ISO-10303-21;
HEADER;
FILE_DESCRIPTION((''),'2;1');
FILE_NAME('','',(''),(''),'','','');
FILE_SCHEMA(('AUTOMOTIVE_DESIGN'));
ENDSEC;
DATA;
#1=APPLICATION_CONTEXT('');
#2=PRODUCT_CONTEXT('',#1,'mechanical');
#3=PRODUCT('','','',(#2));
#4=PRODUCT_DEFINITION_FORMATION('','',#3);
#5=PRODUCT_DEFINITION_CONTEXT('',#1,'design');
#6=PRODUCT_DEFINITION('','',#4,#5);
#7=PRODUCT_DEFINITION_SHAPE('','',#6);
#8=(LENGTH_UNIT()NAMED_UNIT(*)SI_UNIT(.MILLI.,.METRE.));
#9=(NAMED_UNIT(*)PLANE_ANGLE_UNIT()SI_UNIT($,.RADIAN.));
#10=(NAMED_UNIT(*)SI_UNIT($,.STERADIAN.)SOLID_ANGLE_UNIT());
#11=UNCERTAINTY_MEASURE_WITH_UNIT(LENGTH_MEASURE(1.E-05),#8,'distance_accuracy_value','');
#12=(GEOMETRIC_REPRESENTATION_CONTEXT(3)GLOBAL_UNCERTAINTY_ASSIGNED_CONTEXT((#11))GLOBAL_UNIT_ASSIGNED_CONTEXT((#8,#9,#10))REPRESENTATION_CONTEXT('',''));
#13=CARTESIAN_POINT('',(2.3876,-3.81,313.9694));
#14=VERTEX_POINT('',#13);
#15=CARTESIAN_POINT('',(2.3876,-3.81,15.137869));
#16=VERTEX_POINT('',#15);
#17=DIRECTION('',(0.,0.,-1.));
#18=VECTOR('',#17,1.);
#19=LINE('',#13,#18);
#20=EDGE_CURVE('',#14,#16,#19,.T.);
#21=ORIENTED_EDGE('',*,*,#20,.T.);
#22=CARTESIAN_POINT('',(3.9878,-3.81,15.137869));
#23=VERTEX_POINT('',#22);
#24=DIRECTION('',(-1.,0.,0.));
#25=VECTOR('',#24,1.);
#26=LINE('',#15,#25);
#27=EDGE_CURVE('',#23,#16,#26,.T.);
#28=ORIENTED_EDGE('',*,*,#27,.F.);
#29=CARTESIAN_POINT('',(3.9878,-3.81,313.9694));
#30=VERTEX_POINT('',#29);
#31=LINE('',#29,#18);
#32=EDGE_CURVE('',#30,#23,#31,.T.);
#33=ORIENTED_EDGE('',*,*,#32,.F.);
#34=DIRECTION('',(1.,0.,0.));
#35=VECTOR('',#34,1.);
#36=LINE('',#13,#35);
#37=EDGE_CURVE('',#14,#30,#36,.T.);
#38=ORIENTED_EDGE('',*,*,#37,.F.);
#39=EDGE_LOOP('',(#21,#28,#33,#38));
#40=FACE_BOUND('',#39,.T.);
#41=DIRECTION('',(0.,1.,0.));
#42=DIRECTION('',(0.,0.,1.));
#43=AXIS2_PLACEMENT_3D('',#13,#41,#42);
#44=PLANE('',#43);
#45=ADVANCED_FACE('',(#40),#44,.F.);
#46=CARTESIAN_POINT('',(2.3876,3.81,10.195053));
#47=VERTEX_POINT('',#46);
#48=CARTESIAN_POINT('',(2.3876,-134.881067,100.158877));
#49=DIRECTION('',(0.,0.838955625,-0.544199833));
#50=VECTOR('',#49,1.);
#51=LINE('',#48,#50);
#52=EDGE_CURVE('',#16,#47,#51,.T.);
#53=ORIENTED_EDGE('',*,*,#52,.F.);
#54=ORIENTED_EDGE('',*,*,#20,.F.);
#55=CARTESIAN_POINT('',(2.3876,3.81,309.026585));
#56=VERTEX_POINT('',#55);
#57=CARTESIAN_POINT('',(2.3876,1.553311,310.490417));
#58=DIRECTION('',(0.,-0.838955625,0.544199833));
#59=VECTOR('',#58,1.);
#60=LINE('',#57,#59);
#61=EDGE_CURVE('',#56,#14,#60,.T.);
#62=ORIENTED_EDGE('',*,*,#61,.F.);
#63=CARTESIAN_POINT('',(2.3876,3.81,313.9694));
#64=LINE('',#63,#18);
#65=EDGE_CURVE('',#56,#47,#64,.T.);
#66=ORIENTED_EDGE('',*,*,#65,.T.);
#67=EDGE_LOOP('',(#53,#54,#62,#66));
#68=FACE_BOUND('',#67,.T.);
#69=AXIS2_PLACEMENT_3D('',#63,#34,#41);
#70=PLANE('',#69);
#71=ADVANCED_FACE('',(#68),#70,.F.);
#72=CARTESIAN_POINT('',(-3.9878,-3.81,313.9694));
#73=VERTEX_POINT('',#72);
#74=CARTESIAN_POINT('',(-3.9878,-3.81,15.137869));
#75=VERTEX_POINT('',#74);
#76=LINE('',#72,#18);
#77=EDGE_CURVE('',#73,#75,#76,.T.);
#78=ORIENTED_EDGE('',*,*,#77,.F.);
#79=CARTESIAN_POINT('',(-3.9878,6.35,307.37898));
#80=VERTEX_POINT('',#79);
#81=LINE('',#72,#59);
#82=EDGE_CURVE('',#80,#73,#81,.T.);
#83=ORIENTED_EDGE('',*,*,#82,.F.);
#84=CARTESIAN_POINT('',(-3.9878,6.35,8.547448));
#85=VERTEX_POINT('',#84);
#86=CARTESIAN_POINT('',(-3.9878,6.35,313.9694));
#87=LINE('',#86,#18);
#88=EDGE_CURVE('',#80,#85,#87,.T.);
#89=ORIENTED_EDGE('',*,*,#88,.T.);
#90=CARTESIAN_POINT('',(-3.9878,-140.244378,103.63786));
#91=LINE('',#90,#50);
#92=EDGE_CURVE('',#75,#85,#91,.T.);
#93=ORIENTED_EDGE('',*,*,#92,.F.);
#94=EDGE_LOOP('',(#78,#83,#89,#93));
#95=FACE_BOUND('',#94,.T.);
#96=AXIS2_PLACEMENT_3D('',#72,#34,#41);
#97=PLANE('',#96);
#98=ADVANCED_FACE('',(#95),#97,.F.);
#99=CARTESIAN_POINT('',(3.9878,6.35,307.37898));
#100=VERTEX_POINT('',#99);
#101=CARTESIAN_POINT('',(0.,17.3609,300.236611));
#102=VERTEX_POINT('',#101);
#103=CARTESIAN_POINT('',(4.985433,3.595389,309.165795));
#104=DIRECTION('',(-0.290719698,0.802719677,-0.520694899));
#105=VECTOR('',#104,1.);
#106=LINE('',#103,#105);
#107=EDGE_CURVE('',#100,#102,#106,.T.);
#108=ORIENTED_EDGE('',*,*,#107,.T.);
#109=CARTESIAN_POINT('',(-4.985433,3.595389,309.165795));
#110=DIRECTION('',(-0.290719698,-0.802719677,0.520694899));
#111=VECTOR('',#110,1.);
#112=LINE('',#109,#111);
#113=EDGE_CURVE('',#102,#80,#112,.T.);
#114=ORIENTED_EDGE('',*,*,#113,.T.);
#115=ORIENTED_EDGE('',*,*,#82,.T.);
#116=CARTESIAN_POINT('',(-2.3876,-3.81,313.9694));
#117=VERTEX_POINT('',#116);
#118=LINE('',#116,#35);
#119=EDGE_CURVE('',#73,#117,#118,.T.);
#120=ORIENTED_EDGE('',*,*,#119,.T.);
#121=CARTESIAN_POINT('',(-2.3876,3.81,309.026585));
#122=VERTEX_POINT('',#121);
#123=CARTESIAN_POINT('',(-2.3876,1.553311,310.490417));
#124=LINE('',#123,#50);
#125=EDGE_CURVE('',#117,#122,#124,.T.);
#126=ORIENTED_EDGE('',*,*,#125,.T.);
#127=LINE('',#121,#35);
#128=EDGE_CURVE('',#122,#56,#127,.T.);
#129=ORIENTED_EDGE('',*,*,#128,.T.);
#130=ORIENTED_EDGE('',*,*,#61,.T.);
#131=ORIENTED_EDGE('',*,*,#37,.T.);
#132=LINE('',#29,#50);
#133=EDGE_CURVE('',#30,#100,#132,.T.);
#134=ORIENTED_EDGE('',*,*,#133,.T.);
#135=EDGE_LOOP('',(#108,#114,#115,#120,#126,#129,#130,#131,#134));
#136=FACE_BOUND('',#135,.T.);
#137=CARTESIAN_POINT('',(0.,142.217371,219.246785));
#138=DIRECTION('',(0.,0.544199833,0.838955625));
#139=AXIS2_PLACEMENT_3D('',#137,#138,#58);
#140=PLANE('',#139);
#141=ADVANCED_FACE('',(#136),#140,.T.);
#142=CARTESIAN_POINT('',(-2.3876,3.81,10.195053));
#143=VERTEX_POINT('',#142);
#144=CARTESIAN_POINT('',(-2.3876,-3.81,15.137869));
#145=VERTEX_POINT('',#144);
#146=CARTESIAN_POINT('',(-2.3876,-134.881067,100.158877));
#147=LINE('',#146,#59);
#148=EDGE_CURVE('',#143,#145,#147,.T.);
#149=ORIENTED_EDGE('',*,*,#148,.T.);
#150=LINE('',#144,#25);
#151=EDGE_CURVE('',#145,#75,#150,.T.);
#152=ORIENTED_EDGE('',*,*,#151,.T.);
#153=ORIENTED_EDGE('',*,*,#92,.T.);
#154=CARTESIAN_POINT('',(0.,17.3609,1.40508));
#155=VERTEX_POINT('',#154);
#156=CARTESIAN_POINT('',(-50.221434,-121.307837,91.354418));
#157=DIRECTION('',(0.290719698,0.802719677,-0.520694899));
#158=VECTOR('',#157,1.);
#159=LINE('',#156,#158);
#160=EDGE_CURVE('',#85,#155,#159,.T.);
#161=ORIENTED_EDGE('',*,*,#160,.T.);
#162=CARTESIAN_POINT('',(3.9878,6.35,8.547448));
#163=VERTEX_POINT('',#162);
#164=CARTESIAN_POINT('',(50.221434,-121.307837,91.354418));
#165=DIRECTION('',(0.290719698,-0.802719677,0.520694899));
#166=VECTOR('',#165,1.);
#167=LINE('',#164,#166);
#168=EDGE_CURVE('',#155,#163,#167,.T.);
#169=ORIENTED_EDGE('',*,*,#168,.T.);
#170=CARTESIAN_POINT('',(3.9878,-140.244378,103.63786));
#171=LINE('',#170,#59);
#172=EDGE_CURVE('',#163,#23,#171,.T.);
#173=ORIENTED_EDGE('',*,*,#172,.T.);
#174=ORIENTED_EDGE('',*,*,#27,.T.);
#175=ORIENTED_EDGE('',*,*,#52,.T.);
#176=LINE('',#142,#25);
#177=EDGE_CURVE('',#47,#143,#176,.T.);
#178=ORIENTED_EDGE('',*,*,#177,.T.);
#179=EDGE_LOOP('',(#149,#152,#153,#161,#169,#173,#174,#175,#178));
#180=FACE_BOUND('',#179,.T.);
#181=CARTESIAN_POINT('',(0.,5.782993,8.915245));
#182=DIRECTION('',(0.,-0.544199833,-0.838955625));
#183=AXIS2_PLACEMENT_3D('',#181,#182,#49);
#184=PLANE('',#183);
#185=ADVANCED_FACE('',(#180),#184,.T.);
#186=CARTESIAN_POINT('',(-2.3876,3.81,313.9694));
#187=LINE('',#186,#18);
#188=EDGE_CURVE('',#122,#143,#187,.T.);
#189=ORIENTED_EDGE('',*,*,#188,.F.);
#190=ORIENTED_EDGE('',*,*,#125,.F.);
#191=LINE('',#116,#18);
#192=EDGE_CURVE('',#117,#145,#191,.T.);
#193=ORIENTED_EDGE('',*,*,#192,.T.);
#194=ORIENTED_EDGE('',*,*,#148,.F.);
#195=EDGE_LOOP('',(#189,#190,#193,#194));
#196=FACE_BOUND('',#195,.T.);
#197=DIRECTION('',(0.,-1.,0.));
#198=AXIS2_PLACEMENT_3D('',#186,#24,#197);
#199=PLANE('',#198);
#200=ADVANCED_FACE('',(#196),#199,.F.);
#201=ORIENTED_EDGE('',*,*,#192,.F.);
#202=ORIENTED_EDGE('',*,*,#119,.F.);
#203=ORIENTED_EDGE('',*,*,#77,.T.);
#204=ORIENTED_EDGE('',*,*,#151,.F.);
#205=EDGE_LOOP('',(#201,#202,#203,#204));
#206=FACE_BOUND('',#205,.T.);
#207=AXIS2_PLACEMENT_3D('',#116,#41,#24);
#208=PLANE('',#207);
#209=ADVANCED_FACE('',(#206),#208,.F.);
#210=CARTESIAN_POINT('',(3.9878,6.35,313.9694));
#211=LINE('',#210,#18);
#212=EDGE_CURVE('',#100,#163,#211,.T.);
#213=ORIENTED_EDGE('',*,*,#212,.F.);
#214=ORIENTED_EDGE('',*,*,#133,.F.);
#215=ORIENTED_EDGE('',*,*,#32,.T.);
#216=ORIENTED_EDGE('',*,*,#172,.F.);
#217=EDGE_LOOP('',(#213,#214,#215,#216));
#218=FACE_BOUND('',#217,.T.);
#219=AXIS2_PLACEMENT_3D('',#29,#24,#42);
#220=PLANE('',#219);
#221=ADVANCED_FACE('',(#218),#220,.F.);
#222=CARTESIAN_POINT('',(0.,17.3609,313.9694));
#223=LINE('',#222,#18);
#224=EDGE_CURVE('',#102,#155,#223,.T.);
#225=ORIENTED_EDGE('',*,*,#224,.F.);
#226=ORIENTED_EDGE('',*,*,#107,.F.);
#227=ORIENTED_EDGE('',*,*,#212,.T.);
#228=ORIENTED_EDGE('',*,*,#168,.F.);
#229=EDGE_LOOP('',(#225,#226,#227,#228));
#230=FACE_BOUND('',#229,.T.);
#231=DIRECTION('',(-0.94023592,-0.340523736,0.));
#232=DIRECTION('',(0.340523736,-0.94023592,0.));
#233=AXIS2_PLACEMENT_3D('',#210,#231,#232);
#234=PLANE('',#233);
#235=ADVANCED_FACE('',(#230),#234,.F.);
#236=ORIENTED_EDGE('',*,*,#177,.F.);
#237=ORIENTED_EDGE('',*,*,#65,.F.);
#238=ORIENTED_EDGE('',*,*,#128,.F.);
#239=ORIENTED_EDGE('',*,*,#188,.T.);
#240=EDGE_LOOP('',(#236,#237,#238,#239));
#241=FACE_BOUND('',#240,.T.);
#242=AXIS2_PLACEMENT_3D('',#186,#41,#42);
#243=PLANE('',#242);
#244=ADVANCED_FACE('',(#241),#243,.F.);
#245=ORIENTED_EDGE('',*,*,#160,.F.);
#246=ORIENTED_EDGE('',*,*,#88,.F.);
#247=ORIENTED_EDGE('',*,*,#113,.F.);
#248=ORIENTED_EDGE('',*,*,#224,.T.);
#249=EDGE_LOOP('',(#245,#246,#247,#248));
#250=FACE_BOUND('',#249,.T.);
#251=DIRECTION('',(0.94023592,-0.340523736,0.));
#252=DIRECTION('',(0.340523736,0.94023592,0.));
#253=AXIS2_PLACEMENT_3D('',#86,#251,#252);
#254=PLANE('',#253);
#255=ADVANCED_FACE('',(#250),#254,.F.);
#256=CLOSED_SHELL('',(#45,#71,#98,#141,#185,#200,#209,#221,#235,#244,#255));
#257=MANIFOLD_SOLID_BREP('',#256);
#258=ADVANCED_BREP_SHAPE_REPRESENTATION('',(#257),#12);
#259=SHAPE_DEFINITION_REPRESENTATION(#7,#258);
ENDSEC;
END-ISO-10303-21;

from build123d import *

# Parameters (mm, degrees)
BOSS_EXTRUDE1_DEPTH = 313.9694


with BuildPart() as part:
    # Sketch1 → Boss-Extrude1 (new body)
    with BuildSketch(Plane.XY):
        Polygon((-2.3876, 3.81), (2.3876, 3.81), (2.3876, -3.81), (3.9878, -3.81), (3.9878, 6.35), (0, 17.3609), (-3.9878, 6.35), (-3.9878, -3.81), (-2.3876, -3.81), align=None)
    extrude(amount=BOSS_EXTRUDE1_DEPTH)

    # Split1
    split(bisect_by=Plane(origin=(0, 142.217371243, 219.246784501), x_dir=(0, 0.8389556253011311, -0.5441998334946346), z_dir=(0, 0.5441998334946346, 0.8389556253011311)), keep=Keep.BOTTOM)

    # Split2
    split(bisect_by=Plane(origin=(0, 5.782993207, 8.915244702), x_dir=(0, -0.8389556253011311, 0.5441998334946346), z_dir=(0, -0.5441998334946346, -0.8389556253011311)), keep=Keep.BOTTOM)


solid = part.part
